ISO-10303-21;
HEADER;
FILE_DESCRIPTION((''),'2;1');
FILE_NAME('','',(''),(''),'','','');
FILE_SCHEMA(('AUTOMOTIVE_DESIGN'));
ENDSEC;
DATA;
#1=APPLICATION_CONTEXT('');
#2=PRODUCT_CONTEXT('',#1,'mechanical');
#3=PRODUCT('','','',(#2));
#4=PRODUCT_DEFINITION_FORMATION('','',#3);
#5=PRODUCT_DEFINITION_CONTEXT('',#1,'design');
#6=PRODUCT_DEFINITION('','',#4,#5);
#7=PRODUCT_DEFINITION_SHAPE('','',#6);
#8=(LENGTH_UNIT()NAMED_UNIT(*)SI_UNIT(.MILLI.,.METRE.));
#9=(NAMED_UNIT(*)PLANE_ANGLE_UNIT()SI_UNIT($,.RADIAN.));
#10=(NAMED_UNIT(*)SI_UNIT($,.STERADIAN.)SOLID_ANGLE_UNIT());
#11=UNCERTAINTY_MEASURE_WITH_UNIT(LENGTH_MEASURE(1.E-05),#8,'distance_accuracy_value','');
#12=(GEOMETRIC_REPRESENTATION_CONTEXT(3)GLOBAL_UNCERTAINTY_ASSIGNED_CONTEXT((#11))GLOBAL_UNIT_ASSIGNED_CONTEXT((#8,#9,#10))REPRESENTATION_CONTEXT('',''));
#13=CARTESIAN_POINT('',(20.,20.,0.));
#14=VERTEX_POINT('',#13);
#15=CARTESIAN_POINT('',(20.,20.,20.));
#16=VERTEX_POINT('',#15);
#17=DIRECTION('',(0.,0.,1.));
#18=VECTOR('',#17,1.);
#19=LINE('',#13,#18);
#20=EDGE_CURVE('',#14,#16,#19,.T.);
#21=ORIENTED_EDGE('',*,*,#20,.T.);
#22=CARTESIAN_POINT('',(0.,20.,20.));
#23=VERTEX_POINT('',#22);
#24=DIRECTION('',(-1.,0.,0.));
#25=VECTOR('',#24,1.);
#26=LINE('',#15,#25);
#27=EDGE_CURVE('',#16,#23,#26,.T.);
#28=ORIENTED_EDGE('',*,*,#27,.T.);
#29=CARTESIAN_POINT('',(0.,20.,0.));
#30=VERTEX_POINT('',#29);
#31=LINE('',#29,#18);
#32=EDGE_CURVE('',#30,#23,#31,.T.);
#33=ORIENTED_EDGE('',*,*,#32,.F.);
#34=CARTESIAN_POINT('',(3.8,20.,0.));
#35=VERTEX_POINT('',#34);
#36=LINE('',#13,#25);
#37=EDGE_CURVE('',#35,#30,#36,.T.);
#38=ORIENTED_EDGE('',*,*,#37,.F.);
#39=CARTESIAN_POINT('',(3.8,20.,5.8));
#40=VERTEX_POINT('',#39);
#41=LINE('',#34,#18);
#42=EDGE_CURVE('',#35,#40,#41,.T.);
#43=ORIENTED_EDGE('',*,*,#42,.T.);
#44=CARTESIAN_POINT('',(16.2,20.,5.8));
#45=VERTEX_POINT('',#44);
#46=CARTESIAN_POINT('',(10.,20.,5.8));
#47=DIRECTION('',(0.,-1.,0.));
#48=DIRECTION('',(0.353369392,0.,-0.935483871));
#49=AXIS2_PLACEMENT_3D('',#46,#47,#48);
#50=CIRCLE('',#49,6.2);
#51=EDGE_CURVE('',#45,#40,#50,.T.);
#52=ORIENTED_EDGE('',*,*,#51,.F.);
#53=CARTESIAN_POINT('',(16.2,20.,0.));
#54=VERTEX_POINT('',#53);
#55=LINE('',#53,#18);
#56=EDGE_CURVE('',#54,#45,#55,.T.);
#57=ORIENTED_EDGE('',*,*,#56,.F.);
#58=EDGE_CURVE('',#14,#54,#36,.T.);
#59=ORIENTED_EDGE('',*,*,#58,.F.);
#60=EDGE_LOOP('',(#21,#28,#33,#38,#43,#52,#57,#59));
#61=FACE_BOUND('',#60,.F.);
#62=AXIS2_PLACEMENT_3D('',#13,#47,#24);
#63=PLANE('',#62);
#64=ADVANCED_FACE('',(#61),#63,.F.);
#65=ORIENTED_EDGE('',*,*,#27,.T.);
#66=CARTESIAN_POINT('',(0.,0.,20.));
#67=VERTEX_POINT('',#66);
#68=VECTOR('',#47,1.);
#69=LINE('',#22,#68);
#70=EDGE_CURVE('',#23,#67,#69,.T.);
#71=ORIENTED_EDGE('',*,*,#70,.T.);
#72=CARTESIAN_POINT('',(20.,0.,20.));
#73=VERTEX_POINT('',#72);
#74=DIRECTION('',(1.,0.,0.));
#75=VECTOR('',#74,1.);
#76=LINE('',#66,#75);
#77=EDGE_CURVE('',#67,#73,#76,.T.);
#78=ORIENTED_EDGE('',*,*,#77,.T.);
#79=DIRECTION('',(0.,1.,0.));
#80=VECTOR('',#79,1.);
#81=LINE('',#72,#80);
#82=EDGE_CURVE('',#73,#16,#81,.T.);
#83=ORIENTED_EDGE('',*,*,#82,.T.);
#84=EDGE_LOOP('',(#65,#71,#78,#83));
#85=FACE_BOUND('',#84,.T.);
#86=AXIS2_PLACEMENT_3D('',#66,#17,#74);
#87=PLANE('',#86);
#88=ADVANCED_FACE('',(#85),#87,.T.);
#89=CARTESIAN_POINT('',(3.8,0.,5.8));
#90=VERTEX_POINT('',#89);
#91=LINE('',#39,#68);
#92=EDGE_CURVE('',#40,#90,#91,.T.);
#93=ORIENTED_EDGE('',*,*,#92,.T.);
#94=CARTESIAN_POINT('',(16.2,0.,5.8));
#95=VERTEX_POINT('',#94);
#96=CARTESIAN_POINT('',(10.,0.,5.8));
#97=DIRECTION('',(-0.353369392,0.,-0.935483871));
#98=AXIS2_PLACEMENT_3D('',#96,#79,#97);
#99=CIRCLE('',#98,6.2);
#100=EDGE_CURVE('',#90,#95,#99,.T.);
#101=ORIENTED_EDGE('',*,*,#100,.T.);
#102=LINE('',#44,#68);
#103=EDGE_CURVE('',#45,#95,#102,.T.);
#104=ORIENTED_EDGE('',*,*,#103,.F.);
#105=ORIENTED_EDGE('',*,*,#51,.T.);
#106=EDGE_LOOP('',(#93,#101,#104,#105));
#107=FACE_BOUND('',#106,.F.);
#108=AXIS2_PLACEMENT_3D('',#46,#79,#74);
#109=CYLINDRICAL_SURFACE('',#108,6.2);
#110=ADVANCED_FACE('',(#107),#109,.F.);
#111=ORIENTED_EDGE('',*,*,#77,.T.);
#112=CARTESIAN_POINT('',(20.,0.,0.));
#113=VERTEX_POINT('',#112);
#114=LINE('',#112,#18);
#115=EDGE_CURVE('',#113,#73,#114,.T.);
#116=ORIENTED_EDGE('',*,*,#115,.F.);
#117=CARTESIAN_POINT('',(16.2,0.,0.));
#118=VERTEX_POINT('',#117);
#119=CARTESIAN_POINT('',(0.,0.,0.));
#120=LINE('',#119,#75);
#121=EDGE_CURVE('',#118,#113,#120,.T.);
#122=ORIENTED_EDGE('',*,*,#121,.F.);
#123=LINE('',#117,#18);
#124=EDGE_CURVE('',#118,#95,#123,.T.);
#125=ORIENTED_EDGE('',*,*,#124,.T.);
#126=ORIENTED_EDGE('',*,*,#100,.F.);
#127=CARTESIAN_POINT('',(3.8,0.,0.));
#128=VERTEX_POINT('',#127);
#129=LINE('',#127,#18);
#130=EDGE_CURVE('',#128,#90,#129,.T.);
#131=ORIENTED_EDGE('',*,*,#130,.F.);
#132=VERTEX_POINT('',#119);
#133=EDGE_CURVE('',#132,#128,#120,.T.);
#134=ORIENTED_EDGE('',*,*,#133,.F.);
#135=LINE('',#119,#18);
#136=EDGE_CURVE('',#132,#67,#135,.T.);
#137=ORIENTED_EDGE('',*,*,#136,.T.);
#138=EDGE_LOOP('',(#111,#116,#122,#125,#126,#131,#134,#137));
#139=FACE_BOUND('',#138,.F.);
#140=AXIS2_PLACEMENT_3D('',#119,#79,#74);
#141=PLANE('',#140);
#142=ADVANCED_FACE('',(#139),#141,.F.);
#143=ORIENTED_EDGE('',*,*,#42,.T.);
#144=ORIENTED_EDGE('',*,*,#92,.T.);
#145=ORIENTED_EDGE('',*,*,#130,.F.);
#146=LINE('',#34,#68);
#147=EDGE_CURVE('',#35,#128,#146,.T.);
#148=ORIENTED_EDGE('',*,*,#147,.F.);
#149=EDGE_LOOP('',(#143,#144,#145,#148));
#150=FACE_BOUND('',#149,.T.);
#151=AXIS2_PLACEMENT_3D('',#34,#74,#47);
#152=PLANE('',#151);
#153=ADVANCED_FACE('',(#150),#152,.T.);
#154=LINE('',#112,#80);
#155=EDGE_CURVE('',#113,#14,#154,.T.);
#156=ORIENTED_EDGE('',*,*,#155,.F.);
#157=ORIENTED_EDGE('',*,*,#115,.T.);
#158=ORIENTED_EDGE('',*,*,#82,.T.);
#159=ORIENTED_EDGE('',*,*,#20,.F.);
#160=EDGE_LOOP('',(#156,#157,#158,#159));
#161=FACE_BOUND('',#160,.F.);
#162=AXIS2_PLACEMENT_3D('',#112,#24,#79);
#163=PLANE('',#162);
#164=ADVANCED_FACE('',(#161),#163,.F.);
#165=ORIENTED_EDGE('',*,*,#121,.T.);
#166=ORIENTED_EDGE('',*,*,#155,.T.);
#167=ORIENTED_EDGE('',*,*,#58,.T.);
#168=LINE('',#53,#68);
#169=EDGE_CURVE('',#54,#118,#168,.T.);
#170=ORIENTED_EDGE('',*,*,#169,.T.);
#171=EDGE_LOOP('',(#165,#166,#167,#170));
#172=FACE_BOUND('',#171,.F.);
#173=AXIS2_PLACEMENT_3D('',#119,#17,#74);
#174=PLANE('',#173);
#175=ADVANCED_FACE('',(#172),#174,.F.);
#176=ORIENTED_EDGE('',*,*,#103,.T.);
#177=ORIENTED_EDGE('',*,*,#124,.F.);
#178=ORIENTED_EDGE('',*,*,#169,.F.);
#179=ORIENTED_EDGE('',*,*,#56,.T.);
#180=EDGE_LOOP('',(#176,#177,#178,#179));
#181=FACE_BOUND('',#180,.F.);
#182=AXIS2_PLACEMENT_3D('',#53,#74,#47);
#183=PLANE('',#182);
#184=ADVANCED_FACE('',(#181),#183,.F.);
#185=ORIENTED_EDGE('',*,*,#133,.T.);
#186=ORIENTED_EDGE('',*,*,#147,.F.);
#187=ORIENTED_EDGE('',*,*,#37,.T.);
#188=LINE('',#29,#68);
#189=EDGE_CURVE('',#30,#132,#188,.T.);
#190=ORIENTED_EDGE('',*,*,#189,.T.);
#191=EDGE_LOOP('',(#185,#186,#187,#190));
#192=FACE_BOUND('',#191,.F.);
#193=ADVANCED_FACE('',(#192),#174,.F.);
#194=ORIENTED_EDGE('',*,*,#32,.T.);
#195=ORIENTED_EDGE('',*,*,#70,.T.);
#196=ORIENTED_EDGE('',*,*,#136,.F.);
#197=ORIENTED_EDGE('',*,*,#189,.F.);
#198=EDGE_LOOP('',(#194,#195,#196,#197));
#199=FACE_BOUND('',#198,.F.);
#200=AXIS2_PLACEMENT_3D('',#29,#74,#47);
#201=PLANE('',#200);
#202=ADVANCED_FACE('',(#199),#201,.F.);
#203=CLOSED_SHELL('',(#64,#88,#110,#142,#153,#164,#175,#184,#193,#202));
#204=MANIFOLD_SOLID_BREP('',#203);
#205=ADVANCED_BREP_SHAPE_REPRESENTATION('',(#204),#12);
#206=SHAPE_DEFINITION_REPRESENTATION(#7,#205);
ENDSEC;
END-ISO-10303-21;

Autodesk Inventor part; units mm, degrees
ref_plane "YZ Plane" through (0, 0, 0) normal (1, 0, 0) x (0, 1, 0)
ref_plane "XZ Plane" through (0, 0, 0) normal (0, 1, 0) x (-1, 0, 0)
ref_plane "XY Plane" through (0, 0, 0) normal (0, 0, 1) x (1, 0, 0)
sketch "Sketch1" plane through (0, 0, 0) normal (0, 0, 1) x (1, 0, 0)
  line L0 (0, 0) -> (20, 0)
  line L1 (20, 0) -> (20, 20)
  line L2 (20, 20) -> (0, 20)
  line L3 (0, 20) -> (0, 0)
  dimension "d0" = 20
  dimension "d1" = 20
extrude "Extrusion1" add sketch "Sketch1" along normal blind 20
sketch "Sketch2" plane through (0, 20, 0) normal (0, 1, 0) x (1, 0, 0)
  line L0 (20, 0) -> (0, 0) projected
  line L1 (20, 0) -> (20, -20) projected
  circle A0 centre (10, -5.8) radius 6.2
  dimension "d4" = 12.4
  dimension "d5" = 10
  dimension "d6" = 5.8
extrude "Extrusion2" cut sketch "Sketch2" against normal blind 20
sketch "Sketch5" plane through (0, 0, 0) normal (0, 0, -1) x (-1, 0, 0)
  line L0 (-12.1909, 0) -> (-12.1909, 20) projected
  line L1 (-20, 20) -> (-12.1909, 20) projected
  line L2 (-12.1909, 0) -> (-20, 0) projected
  line L3 (-16.2, 20) -> (-16.2, 0) projected
  point P0 (0, 0)
extrude "Extrusion3" cut sketch "Sketch5" against normal blind 5.8
sketch "Sketch6" plane through (0, 0, 0) normal (0, 0, -1) x (-1, 0, 0)
  line L0 (-7.8091, 20) -> (-7.8091, 0) projected
  line L1 (0, 0) -> (-7.8091, 0) projected
  line L2 (-7.8091, 20) -> (0, 20) projected
  line L3 (-3.8, 20) -> (-3.8, 0) projected
extrude "Extrusion4" cut sketch "Sketch6" against normal blind 5.8
properties part number "SupportBlocks"
